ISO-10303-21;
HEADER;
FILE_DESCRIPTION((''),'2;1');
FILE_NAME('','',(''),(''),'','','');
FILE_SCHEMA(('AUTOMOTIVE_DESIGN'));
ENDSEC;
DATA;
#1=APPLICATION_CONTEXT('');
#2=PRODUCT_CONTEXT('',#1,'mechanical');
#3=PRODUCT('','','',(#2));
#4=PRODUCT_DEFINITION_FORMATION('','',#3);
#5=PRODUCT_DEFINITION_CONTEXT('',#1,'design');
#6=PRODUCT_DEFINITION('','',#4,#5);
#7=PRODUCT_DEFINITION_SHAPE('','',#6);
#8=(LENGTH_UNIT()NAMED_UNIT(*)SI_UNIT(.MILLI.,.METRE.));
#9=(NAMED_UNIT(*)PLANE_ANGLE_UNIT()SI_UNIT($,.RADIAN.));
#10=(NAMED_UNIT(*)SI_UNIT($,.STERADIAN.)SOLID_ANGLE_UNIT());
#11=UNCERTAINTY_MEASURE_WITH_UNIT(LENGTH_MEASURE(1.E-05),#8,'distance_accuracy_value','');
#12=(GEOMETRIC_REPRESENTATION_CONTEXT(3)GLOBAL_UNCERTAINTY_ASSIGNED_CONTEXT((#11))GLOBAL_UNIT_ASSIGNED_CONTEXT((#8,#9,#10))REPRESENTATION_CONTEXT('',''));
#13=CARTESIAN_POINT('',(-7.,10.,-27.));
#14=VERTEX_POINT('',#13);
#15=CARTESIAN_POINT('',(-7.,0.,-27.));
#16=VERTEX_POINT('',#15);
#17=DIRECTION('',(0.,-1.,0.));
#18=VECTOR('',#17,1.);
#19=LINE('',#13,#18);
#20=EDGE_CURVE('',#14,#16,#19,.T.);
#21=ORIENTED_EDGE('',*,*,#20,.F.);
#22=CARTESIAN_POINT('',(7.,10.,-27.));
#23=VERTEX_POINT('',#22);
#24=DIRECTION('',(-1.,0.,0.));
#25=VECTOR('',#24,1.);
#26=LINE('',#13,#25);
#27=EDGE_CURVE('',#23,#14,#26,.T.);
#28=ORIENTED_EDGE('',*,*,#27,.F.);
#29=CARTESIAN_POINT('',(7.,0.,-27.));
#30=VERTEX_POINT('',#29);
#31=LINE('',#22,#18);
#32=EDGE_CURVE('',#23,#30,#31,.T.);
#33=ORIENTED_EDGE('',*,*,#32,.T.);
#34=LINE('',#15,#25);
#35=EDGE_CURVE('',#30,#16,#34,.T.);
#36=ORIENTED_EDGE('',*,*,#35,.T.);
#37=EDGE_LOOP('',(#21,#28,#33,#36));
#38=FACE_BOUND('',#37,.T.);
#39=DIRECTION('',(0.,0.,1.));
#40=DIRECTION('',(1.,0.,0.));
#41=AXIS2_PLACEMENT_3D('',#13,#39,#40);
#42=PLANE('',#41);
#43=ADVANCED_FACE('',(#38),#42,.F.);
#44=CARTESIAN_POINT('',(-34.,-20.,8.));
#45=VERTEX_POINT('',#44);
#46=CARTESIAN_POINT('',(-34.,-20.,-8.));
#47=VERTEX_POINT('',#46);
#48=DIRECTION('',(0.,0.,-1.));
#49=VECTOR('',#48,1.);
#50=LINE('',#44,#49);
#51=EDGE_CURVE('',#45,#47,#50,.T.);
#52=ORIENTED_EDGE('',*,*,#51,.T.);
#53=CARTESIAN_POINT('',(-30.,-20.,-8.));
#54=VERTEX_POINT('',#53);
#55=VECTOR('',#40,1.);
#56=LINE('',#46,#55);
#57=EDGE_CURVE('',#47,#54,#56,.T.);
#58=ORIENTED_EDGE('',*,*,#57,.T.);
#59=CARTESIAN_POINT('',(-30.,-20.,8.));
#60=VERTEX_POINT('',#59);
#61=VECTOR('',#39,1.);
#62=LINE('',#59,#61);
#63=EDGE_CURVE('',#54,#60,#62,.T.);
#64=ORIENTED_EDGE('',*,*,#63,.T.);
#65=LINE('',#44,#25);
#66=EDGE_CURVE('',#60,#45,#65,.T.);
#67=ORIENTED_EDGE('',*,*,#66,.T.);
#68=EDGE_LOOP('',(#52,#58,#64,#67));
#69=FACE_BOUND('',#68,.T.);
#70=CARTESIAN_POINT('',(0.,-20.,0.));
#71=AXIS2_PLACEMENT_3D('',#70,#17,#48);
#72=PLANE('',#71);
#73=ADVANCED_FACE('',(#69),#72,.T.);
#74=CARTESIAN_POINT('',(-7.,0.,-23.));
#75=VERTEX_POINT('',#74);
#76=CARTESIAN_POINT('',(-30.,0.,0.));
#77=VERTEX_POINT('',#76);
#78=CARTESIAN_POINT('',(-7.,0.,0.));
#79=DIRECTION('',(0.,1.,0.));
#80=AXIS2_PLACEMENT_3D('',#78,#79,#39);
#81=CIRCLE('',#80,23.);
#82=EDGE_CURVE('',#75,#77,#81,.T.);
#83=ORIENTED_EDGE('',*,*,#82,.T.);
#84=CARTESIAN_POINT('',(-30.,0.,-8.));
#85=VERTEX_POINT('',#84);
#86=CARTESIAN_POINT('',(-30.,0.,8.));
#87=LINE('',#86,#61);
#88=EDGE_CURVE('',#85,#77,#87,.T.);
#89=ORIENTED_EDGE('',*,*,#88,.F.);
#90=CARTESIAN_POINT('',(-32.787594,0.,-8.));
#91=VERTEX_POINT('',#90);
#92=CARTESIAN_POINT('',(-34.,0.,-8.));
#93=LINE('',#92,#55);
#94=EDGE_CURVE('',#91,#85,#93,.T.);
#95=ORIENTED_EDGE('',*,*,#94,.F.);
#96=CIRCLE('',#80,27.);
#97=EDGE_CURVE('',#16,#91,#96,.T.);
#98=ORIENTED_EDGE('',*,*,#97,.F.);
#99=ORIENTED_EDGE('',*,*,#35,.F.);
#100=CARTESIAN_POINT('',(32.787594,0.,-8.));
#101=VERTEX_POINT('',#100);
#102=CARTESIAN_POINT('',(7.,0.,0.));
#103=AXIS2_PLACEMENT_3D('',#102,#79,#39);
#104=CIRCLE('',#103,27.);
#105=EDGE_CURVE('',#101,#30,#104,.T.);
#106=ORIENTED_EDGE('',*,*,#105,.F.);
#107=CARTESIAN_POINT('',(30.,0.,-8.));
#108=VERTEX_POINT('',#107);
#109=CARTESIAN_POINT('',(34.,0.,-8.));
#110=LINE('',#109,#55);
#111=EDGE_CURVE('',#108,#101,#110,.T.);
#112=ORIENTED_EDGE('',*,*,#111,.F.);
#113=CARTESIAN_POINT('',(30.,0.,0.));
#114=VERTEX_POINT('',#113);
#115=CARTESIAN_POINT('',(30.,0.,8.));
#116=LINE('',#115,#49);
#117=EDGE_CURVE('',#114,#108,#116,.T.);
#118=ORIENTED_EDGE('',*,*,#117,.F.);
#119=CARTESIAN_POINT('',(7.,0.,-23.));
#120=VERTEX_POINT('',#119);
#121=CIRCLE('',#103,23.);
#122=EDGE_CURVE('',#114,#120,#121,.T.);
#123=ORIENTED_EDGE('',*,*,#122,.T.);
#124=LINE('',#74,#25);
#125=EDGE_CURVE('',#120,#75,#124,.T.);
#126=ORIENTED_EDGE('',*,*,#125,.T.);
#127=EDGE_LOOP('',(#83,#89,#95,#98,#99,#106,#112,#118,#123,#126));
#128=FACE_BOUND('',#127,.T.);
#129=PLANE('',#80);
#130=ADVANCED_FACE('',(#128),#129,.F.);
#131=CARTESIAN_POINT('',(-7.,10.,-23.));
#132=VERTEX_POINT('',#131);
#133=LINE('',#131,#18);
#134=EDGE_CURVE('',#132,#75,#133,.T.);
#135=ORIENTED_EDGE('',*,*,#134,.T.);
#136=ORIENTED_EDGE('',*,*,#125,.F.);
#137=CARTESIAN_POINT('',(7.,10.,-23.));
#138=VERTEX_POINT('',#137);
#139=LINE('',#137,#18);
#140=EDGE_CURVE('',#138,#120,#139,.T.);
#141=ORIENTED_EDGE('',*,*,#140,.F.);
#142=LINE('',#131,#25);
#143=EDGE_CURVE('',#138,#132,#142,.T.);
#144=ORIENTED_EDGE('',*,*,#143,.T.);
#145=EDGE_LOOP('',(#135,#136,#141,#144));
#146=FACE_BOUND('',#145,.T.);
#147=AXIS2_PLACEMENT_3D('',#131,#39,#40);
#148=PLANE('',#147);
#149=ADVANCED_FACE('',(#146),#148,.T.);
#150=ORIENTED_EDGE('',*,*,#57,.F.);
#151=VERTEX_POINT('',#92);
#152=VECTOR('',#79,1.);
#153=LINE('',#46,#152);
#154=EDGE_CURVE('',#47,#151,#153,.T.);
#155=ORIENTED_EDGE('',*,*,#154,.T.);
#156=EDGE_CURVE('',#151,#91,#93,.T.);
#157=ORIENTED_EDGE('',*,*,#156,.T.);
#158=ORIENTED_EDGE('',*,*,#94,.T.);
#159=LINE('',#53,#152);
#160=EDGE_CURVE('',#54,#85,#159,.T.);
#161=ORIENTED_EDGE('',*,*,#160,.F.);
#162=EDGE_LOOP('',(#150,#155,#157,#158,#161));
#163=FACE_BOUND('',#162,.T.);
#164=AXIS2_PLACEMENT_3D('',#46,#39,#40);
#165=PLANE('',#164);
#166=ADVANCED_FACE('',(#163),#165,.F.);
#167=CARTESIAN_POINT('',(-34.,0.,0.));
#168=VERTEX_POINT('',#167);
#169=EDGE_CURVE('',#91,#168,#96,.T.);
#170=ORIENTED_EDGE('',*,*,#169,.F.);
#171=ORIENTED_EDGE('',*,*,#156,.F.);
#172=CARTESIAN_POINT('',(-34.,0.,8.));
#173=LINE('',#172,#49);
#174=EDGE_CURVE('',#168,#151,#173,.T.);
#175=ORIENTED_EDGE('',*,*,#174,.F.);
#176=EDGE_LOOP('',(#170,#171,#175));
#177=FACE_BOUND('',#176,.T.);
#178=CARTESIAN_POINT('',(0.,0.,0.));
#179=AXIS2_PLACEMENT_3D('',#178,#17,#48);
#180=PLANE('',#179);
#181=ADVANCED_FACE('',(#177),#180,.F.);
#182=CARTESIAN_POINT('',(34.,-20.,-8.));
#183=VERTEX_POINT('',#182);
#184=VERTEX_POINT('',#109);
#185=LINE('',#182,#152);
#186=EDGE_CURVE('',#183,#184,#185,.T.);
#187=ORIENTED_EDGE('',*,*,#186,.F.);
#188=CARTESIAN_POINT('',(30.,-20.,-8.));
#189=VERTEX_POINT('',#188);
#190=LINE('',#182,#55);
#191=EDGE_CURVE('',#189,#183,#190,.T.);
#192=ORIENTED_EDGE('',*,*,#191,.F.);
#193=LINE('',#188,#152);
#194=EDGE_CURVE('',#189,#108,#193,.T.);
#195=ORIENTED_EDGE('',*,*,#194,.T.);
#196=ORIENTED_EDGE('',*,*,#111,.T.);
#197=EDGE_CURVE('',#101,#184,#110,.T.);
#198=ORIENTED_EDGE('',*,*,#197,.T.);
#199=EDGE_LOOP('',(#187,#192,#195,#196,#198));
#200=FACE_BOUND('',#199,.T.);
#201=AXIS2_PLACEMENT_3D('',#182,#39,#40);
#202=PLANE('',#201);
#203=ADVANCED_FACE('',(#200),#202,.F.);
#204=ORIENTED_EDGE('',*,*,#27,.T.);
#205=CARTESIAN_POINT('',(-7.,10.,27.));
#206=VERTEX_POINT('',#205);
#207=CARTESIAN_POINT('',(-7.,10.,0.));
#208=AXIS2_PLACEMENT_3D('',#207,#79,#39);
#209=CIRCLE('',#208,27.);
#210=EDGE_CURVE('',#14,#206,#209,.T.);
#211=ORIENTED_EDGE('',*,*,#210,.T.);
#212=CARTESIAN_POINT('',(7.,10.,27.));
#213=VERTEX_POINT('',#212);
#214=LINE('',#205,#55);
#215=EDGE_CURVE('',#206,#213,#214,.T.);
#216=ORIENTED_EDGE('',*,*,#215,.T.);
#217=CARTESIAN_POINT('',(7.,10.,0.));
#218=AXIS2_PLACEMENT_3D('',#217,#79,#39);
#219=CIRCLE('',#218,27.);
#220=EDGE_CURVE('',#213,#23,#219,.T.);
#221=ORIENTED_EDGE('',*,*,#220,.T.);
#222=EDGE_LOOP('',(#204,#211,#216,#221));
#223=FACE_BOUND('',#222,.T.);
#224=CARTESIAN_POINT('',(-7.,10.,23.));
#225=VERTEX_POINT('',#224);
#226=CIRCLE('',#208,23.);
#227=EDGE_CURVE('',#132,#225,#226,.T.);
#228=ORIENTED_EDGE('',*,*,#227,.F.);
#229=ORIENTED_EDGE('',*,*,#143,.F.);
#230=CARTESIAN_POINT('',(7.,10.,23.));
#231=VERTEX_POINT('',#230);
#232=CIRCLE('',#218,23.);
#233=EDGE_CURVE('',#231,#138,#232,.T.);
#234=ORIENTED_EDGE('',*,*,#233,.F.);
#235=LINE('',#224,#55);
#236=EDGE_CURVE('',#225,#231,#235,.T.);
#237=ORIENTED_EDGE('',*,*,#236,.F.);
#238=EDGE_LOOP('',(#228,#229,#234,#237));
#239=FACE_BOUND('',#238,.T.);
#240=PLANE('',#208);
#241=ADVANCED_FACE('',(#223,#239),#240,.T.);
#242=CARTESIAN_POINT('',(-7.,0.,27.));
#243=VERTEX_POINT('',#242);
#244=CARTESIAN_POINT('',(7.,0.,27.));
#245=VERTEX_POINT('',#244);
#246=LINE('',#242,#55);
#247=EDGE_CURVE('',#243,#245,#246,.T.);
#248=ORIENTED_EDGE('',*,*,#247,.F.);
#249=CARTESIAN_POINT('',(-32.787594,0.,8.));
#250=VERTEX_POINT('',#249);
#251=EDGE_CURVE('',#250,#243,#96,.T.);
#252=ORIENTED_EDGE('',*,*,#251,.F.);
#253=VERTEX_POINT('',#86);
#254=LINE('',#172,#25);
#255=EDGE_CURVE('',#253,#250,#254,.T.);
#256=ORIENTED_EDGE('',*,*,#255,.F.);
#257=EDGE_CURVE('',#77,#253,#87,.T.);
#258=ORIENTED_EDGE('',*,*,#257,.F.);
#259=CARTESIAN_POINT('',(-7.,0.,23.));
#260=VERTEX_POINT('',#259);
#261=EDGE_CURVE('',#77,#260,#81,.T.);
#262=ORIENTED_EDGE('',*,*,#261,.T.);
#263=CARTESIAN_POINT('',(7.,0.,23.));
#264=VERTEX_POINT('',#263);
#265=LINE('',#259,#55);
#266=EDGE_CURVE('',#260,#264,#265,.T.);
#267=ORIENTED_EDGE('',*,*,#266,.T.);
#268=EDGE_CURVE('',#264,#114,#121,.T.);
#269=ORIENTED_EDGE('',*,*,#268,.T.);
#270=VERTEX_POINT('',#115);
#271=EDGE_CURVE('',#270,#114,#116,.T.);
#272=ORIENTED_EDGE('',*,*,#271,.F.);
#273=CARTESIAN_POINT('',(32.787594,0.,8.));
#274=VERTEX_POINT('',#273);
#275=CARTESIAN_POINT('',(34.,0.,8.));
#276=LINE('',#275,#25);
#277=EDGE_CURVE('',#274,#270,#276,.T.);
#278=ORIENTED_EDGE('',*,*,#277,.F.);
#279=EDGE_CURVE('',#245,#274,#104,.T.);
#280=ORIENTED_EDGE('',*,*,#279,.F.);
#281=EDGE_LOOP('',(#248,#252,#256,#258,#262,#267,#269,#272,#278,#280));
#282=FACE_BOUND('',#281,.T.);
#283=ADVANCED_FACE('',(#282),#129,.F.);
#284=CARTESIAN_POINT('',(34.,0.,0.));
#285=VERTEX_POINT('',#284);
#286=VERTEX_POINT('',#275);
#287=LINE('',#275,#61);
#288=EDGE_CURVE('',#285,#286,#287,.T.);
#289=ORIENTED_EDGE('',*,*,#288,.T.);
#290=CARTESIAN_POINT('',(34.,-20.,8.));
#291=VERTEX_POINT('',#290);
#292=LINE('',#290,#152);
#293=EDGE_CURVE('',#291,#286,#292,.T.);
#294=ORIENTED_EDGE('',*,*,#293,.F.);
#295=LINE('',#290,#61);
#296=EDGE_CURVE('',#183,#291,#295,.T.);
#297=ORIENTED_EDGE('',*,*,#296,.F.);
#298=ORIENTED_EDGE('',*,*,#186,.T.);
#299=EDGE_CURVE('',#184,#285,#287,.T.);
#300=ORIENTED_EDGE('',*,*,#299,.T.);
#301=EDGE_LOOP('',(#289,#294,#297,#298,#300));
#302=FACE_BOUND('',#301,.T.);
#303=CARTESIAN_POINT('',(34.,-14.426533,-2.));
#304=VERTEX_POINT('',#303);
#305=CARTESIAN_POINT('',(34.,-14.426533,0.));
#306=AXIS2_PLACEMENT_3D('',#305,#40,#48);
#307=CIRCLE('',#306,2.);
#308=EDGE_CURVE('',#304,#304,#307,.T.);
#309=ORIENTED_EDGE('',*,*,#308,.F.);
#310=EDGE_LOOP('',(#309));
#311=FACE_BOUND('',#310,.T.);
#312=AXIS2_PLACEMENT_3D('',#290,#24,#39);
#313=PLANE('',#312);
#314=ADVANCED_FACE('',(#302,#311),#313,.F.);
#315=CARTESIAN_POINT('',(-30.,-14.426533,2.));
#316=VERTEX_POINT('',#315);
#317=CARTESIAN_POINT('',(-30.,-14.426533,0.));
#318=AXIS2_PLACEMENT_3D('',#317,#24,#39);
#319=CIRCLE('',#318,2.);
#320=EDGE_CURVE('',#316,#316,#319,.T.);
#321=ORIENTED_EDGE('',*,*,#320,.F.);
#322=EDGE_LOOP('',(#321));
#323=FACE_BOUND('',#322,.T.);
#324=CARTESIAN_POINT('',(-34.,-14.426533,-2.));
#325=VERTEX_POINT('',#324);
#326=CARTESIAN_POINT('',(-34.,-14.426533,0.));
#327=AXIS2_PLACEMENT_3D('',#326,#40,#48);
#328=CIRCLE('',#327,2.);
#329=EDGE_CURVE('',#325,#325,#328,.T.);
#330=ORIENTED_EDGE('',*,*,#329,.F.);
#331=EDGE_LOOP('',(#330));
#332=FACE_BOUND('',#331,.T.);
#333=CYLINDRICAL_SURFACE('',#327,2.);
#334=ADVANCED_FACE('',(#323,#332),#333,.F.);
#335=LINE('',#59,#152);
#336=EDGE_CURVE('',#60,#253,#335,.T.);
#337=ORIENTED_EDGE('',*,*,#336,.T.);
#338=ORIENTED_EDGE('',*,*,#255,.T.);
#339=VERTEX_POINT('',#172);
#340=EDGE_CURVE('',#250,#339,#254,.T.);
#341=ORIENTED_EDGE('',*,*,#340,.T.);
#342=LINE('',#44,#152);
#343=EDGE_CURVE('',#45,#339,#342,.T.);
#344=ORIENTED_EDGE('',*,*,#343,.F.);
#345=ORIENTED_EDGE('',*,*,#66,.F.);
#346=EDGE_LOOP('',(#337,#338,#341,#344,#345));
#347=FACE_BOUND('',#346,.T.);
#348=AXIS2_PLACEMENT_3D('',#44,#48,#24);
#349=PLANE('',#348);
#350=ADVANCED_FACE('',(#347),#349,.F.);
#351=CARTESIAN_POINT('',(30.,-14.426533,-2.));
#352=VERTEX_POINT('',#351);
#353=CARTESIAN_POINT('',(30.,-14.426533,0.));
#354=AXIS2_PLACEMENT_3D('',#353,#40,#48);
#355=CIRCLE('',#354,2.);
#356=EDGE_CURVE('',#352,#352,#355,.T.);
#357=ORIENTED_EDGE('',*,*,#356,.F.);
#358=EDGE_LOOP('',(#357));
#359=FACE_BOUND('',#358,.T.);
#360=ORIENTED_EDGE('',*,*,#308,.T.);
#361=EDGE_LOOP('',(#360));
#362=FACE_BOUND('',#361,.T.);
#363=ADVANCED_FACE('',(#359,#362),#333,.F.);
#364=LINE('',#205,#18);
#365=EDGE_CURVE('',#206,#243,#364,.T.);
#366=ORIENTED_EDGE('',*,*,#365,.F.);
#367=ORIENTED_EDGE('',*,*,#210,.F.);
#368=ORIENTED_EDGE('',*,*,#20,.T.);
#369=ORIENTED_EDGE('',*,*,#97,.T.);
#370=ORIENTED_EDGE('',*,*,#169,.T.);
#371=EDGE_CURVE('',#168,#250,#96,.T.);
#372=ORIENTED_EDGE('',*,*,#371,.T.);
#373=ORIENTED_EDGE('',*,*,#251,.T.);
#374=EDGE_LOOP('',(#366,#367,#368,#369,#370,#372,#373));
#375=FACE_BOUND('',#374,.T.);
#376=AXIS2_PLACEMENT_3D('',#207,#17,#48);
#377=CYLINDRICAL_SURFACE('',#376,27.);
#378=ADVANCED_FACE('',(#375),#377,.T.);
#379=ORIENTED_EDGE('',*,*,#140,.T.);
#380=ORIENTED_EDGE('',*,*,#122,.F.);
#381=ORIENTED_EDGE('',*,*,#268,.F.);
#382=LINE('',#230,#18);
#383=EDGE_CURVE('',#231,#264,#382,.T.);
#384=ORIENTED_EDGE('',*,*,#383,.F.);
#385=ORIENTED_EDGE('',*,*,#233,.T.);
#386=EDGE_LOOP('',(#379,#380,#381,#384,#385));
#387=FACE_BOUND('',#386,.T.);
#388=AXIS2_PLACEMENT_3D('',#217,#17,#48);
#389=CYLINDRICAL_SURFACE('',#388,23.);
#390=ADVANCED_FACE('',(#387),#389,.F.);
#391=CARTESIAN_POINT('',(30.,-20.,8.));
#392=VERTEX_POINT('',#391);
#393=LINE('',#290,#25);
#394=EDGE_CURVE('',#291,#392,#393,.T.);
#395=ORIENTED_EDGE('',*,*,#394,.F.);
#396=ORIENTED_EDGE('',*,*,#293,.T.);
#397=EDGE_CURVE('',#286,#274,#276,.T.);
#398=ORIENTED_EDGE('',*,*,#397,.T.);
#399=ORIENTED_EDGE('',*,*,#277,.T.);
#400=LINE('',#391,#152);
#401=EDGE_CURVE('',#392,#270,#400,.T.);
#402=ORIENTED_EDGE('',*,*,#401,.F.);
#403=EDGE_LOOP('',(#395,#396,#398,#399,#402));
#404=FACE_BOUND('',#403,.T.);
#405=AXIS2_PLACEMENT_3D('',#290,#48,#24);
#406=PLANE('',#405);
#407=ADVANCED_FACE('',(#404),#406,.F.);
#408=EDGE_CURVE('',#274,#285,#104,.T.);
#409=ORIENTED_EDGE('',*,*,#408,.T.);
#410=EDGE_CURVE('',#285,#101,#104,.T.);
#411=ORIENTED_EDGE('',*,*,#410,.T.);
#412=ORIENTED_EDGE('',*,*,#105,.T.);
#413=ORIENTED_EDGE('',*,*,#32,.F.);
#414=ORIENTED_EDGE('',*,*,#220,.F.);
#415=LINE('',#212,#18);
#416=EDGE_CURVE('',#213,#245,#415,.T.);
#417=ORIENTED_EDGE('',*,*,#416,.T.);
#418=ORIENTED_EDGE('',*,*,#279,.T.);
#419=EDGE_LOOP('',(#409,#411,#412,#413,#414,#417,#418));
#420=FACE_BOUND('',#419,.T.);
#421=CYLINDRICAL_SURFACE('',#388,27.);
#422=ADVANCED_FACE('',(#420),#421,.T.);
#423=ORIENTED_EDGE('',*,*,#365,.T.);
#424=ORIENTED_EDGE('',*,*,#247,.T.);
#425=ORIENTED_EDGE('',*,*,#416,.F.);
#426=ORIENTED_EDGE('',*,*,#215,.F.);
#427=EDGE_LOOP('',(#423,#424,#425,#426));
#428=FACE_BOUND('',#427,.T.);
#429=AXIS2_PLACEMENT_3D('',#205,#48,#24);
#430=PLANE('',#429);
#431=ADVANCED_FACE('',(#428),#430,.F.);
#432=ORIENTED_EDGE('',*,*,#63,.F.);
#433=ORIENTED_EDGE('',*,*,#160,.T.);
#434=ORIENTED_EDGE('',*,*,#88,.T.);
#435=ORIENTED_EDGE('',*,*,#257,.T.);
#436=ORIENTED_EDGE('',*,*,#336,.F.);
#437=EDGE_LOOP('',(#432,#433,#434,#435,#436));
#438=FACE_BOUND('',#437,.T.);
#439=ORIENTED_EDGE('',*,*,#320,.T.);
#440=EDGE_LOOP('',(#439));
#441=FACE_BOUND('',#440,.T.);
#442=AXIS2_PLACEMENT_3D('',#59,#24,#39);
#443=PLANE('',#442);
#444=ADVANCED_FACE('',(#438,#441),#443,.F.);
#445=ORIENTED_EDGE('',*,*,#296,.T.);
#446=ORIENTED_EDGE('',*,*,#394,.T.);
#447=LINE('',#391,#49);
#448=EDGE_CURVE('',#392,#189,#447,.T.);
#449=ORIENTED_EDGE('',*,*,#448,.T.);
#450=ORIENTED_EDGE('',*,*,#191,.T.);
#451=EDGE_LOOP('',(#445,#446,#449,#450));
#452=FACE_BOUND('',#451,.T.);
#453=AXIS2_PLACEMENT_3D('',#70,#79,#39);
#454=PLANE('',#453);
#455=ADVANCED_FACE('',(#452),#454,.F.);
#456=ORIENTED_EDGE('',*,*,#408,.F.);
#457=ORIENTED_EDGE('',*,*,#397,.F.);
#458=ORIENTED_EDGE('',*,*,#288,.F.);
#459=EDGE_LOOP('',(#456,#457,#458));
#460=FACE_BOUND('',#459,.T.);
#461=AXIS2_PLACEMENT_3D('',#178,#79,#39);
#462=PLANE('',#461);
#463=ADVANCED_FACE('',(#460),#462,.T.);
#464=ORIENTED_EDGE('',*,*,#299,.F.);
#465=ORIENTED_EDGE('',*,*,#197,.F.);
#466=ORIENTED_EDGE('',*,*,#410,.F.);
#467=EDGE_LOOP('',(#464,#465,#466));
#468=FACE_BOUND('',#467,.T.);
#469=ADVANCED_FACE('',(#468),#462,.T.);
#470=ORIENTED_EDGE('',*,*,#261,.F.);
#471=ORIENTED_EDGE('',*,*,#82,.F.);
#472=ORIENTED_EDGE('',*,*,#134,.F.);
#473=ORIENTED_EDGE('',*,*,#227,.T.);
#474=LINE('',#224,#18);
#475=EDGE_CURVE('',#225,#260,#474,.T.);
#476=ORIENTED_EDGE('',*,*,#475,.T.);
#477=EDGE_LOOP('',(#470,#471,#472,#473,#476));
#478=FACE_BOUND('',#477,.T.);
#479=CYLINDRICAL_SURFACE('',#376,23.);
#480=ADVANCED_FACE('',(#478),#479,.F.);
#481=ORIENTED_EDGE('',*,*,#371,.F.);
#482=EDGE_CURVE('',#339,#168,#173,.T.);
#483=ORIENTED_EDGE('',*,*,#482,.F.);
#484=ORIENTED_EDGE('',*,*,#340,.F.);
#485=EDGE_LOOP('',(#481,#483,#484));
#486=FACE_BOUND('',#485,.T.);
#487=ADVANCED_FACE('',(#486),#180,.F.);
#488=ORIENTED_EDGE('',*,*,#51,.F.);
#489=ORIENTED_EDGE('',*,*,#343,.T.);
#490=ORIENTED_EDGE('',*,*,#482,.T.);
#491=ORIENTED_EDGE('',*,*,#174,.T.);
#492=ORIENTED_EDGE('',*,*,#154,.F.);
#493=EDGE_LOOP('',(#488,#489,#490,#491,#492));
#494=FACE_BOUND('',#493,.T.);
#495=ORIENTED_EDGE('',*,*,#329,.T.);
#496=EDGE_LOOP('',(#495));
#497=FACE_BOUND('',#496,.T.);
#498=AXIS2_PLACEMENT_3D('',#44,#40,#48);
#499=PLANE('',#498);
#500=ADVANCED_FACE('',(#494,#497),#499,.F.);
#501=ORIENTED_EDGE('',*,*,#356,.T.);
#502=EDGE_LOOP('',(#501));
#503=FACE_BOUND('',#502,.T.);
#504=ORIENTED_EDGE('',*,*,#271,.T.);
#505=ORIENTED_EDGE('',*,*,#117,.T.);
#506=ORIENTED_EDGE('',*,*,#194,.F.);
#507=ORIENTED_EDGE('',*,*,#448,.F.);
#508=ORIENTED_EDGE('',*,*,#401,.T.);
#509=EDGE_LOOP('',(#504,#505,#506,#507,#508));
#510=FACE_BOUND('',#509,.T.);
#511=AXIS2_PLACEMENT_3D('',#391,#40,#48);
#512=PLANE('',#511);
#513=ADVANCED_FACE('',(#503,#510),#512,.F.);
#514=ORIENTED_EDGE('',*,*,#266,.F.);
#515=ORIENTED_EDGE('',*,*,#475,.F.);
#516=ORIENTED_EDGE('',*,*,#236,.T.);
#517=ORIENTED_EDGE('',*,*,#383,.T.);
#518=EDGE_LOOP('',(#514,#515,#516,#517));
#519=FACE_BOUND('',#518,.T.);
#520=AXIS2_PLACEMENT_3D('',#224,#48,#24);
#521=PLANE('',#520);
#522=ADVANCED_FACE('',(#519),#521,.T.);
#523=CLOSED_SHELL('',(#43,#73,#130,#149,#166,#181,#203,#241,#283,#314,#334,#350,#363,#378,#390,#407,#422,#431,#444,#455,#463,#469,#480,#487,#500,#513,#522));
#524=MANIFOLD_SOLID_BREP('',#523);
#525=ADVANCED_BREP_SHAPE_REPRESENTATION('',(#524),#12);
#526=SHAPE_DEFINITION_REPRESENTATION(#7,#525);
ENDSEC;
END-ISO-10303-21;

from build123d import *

# Parameters (mm, degrees)
EXTRUDE_1_DEPTH     = 10
SKETCH_3_W          = 4
SKETCH_3_H          = 16
EXTRUDE_2_DEPTH     = 20
SKETCH_5_R          = 2
CUT_EXTRUDE_2_DEPTH = 69


with BuildPart() as part:
    # 草图2 → 凸台-拉伸1 (new body)
    with BuildSketch(Plane(origin=(0, 0, 0), x_dir=(1, 0, 0), z_dir=(0, 1, 0))):
        with BuildLine():
            Line((-7, 27), (7, 27))
            ThreePointArc((7, 27), (34, 0), (7, -27))
            Line((7, -27), (-7, -27))
            ThreePointArc((-7, -27), (-34, 0), (-7, 27))
        make_face()
        with BuildLine():
            Line((-7, 23), (7, 23))
            ThreePointArc((7, 23), (30, 0), (7, -23))
            Line((7, -23), (-7, -23))
            ThreePointArc((-7, -23), (-30, 0), (-7, 23))
        make_face(mode=Mode.SUBTRACT)
    extrude(amount=EXTRUDE_1_DEPTH)

    # 草图3 → 凸台-拉伸2 (add)
    with BuildSketch(Plane.XZ):
        with Locations((-32, 0)):
            Rectangle(SKETCH_3_W, SKETCH_3_H)
        with Locations((32, 0)):
            Rectangle(SKETCH_3_W, SKETCH_3_H)
    extrude(amount=EXTRUDE_2_DEPTH)

    # 草图5 → 切除-拉伸2 (cut, through all)
    with BuildSketch(Plane(origin=(34, 0, 0), x_dir=(0, 0, -1), z_dir=(1, 0, 0))):
        with Locations((0, -14.426533044)):
            Circle(SKETCH_5_R)
    extrude(amount=-CUT_EXTRUDE_2_DEPTH, mode=Mode.SUBTRACT)


solid = part.part
